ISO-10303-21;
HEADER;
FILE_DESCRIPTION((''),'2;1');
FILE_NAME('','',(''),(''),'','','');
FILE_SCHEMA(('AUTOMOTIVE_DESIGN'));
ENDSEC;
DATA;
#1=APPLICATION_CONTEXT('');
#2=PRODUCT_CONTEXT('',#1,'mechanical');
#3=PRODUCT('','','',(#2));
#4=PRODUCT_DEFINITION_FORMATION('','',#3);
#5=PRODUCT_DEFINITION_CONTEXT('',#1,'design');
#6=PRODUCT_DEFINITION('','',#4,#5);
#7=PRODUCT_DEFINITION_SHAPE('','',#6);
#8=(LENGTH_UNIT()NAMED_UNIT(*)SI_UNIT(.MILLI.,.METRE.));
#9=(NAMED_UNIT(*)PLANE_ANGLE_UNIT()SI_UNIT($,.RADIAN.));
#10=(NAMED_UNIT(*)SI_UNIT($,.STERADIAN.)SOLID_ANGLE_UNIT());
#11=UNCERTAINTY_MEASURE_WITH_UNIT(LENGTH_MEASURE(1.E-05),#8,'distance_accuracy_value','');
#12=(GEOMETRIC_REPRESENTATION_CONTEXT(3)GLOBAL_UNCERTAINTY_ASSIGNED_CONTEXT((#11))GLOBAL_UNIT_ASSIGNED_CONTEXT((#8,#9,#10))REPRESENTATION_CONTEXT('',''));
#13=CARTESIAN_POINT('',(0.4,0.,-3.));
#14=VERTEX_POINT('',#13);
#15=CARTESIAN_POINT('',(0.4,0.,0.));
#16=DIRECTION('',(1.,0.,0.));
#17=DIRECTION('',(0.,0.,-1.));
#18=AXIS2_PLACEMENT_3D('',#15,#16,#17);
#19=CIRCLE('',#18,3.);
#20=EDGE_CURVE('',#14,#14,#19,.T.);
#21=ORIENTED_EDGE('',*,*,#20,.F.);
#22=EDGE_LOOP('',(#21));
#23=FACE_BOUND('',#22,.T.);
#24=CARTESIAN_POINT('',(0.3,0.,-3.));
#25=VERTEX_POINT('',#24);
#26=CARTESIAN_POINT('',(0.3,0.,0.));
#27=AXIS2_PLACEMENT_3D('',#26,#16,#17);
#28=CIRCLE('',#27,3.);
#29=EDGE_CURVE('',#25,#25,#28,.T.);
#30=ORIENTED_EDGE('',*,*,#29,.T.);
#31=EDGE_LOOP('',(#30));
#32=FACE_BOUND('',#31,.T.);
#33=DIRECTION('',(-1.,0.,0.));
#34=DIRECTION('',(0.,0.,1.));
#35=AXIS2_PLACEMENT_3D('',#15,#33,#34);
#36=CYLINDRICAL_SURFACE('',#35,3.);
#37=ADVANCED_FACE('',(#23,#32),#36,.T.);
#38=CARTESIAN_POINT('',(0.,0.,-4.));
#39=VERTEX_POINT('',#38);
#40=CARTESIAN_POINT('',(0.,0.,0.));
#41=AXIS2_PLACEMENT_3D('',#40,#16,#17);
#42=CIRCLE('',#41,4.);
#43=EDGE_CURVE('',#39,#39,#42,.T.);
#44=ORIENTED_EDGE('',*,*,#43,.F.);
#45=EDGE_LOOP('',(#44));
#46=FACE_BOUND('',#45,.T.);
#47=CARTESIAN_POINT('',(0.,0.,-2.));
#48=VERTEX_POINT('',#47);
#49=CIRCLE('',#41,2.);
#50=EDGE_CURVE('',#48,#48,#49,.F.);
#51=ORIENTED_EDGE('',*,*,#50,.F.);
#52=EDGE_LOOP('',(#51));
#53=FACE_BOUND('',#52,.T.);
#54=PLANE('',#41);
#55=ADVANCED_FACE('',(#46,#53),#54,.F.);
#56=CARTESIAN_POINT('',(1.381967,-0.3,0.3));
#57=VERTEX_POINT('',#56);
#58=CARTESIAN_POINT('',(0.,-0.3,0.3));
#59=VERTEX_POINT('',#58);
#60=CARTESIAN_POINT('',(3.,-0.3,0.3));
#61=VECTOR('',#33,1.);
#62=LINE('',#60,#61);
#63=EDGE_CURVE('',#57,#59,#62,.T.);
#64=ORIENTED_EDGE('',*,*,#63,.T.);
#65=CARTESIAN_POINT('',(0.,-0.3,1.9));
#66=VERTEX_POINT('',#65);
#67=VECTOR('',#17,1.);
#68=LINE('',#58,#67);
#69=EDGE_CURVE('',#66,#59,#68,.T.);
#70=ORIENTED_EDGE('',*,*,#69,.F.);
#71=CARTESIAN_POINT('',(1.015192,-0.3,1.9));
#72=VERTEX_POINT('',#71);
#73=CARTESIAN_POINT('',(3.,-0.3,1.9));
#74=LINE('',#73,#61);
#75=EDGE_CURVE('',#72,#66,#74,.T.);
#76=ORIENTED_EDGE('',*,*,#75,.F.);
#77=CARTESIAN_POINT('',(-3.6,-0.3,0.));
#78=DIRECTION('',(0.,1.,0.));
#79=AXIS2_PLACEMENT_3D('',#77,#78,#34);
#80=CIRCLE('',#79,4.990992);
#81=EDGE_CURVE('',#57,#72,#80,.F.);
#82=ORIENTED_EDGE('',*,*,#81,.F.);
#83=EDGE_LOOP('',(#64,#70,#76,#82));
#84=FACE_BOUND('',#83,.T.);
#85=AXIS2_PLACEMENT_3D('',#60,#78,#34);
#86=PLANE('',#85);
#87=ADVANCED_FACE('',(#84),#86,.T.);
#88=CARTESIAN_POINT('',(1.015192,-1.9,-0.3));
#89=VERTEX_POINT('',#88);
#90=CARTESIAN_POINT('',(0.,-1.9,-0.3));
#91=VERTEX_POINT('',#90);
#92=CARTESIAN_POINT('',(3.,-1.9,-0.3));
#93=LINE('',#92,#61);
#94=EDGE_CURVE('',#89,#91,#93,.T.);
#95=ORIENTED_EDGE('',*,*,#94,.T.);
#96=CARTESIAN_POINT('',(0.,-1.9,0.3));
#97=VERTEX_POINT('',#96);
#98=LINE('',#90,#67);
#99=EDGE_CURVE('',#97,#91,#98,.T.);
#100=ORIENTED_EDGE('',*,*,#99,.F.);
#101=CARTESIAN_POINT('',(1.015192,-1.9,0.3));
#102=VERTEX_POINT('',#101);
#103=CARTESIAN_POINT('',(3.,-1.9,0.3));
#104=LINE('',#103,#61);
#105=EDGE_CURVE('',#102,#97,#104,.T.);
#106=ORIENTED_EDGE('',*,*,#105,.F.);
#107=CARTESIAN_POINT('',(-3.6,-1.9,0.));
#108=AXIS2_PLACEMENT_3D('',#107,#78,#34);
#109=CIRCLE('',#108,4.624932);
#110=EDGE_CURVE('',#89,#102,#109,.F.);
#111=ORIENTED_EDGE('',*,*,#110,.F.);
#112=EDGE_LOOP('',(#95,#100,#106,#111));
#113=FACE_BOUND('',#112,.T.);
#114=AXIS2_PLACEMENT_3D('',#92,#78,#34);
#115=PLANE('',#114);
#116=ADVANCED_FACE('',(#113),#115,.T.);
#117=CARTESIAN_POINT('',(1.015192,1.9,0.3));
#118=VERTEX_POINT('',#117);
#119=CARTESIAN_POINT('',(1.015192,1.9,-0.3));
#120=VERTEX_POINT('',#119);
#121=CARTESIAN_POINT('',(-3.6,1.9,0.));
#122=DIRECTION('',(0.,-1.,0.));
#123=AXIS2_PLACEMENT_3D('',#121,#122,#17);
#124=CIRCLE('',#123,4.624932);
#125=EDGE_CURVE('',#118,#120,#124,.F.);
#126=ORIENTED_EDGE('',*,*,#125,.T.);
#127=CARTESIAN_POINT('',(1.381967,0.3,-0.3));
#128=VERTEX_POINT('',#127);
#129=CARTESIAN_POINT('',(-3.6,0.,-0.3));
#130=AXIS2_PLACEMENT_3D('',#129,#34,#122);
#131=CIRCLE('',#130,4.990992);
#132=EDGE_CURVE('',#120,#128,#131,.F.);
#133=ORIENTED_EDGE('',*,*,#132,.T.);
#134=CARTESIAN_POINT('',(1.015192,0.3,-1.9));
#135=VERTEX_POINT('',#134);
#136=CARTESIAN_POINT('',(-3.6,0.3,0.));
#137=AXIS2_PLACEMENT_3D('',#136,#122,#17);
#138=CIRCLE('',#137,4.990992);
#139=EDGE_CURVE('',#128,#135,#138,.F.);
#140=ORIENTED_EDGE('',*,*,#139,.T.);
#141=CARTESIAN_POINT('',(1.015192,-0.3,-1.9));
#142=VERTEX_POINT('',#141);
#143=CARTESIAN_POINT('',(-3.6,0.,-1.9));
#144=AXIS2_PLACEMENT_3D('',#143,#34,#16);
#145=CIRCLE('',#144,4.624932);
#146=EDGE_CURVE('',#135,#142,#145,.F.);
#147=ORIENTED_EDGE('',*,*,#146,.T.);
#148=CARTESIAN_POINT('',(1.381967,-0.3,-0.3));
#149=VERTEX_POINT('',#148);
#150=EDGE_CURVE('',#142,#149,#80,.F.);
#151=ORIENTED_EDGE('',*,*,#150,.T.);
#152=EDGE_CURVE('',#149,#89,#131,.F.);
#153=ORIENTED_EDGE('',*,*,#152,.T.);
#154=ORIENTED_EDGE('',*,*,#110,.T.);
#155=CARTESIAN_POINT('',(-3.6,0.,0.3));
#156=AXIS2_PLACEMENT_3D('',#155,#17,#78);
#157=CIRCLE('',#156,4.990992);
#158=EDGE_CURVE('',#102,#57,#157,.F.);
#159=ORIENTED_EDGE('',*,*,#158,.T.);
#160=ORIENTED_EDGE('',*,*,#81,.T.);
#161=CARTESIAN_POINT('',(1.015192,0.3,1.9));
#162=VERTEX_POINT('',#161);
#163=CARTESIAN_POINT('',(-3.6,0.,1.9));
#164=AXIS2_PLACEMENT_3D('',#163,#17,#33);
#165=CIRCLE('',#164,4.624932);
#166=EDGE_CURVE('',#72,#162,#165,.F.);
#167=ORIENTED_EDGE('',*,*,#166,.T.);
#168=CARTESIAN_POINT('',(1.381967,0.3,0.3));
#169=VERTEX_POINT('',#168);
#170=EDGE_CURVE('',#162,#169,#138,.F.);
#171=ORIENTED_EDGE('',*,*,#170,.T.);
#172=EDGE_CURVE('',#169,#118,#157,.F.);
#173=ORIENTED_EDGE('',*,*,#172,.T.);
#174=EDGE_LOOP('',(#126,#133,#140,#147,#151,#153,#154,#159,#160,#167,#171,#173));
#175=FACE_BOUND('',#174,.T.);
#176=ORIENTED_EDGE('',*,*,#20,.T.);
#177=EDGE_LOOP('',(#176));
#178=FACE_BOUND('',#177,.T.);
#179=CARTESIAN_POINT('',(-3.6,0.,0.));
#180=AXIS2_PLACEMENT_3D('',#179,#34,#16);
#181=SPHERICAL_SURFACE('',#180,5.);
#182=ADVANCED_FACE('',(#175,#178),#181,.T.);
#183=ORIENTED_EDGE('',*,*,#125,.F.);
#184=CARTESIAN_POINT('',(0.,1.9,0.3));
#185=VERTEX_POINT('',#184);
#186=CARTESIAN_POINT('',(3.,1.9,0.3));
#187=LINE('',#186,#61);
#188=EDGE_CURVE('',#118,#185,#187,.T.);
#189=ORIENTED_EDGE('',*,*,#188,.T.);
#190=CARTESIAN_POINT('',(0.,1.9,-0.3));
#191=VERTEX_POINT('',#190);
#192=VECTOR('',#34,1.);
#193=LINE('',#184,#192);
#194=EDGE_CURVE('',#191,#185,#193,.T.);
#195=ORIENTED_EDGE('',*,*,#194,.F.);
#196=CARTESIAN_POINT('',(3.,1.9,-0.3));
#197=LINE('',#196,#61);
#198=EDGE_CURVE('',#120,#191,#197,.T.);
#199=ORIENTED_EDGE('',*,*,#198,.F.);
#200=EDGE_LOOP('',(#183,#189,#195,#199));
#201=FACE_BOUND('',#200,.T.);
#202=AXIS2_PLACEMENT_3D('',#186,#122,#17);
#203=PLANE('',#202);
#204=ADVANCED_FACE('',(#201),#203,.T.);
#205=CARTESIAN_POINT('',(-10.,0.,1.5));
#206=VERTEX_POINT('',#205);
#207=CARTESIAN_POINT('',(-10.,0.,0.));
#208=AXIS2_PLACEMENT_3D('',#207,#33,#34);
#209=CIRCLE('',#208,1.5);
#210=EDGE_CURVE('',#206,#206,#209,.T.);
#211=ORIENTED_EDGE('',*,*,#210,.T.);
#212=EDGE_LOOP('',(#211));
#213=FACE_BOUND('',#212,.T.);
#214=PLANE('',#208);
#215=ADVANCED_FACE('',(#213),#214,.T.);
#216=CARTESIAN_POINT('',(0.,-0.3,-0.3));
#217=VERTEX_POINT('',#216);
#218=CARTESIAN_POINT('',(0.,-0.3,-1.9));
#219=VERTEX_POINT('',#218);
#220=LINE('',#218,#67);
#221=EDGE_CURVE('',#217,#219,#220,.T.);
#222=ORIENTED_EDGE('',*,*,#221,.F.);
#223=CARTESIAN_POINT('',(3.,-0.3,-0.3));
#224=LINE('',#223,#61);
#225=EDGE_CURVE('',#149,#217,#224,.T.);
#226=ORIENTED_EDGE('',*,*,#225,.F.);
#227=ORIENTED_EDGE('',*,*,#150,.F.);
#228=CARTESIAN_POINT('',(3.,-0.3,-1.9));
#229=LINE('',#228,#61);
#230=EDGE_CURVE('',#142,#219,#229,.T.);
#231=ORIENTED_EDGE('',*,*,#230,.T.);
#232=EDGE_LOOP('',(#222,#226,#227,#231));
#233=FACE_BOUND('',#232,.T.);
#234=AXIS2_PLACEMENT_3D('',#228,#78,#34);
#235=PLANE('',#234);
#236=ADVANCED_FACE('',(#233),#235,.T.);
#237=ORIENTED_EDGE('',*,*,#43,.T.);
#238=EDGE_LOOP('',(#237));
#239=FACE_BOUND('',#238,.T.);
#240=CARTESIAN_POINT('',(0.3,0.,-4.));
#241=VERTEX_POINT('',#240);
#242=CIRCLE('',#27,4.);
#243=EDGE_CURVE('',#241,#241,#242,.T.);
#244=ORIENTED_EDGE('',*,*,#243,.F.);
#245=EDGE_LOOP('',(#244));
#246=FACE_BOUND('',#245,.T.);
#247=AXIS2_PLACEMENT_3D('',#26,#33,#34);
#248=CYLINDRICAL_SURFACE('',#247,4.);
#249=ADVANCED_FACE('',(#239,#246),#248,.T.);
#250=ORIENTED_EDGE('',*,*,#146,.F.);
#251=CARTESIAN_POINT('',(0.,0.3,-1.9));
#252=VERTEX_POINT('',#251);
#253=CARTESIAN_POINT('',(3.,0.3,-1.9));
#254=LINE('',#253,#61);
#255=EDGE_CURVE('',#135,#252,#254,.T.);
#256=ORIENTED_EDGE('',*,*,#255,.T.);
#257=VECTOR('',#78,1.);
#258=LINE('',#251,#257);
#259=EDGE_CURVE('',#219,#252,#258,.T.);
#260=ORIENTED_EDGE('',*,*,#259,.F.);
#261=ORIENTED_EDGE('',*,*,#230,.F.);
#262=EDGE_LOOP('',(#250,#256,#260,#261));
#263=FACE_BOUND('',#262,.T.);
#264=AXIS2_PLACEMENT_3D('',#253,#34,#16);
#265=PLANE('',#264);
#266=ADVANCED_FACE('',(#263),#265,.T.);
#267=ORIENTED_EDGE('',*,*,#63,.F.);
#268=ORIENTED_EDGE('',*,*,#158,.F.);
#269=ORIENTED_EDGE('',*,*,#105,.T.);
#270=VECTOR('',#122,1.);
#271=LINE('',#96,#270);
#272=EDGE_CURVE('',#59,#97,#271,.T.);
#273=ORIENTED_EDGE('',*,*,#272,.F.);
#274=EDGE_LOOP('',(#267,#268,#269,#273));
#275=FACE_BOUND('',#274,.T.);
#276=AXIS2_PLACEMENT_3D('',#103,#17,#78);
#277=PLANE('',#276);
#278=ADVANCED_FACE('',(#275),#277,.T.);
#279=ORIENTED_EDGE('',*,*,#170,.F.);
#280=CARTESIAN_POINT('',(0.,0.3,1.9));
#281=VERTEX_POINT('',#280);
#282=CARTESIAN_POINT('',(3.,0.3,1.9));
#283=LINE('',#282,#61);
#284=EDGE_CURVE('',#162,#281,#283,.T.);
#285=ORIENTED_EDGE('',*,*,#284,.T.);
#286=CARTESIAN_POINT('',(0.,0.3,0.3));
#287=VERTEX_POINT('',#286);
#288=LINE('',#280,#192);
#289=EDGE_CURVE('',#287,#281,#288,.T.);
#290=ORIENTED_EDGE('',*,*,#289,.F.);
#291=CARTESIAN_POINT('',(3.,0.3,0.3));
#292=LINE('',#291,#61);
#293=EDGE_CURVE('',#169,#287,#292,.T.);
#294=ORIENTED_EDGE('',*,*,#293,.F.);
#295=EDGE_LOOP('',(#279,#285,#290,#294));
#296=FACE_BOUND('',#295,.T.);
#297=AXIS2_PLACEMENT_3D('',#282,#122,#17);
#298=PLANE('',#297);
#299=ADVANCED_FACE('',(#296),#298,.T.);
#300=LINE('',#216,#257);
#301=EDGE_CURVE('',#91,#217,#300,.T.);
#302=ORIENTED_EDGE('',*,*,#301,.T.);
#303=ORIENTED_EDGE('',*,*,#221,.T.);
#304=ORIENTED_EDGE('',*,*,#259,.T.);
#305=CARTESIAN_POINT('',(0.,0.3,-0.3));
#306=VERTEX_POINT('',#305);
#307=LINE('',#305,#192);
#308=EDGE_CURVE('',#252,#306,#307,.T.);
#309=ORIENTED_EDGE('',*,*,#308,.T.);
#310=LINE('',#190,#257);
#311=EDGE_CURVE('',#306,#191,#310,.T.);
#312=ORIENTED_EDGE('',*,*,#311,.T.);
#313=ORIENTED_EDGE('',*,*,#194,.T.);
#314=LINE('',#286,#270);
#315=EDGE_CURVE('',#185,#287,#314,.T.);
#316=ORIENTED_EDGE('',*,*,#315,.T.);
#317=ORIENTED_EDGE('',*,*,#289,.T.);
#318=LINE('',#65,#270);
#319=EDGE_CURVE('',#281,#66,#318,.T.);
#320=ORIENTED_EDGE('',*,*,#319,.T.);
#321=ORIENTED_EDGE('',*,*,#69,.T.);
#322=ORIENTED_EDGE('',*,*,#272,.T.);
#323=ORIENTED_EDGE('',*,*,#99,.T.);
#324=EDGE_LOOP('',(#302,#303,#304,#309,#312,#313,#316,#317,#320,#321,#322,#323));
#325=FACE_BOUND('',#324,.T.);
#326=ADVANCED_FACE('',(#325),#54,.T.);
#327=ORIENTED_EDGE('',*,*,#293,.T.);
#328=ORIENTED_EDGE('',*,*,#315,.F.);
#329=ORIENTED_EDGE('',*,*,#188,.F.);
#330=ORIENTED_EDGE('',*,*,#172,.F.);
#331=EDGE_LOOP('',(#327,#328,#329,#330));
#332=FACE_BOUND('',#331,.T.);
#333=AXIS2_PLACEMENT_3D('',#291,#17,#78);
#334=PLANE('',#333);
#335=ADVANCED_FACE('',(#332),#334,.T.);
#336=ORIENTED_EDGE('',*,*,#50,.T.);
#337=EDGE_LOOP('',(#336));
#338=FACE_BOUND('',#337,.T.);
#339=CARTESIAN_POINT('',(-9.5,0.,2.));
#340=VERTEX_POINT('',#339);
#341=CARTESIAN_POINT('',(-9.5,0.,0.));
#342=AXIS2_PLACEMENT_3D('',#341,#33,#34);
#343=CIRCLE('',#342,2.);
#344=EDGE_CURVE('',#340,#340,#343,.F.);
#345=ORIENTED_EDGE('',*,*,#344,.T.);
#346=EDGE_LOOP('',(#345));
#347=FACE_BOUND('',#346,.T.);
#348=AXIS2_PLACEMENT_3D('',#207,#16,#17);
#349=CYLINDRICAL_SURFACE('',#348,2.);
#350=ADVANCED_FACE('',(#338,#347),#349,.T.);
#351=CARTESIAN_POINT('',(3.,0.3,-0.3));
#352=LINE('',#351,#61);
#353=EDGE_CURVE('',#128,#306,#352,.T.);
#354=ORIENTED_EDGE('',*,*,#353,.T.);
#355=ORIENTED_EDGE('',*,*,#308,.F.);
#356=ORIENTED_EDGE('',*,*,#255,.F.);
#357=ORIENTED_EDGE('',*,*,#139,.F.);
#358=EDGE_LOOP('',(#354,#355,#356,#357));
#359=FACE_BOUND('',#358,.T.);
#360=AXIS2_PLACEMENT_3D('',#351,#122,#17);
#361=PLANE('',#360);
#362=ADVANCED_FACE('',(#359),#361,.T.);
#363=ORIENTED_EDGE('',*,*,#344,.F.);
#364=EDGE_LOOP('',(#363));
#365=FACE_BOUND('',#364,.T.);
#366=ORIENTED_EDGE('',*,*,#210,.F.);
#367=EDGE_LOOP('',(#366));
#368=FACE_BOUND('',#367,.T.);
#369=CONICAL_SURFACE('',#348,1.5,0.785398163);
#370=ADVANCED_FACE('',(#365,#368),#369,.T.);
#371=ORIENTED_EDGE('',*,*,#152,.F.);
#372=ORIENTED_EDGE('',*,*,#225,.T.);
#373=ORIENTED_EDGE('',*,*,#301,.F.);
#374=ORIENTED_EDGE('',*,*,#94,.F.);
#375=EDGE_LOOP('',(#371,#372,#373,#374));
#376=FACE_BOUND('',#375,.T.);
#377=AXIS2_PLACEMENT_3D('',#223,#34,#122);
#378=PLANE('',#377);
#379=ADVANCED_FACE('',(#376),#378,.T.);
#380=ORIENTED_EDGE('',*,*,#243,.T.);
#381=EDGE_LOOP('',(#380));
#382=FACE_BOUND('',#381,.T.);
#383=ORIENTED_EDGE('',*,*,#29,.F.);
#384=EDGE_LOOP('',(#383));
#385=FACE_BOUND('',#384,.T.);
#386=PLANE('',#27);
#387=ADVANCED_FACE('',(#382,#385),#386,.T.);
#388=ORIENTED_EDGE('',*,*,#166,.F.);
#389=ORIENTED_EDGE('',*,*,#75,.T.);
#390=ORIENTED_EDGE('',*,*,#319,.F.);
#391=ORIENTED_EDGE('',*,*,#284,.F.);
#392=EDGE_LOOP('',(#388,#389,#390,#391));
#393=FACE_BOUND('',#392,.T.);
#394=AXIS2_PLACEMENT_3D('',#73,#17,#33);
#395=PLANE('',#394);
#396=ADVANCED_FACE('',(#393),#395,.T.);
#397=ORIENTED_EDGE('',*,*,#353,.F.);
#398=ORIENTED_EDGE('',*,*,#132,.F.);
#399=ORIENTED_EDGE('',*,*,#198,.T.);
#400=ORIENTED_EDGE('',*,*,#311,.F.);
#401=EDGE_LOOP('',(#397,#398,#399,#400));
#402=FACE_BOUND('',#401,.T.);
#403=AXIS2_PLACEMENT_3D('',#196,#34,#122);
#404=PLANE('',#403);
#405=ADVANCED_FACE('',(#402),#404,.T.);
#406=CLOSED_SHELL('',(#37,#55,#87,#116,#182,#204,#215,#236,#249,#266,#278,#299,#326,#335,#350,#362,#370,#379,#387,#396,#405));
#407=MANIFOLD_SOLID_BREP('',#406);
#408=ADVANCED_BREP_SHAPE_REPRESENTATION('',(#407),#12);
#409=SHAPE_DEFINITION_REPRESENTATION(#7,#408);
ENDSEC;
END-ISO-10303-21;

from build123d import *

# Parameters (mm, degrees)
SKETCH_1_R          = 4
EXTRUDE_1_DEPTH     = 0.3
SKETCH_2_R          = 2
EXTRUDE_3_DEPTH     = 10
SKETCH_6_R          = 3
EXTRUDE_4_DEPTH     = 0.1
DOME_1_FACE_RADIUS  = 3
DOME_1_HEIGHT       = 1
CUT_EXTRUDE_2_DEPTH = 3
CHAMFER_1_SIZE      = 0.5


with BuildPart() as part:
    # 草图1 → 凸台-拉伸1 (new body)
    with BuildSketch(Plane(origin=(0, 0, 0), x_dir=(0, 0, -1), z_dir=(1, 0, 0))):
        Circle(SKETCH_1_R)
    extrude(amount=EXTRUDE_1_DEPTH)

    # 草图2 → 凸台-拉伸3 (add)
    with BuildSketch(Plane.ZY):
        Circle(SKETCH_2_R)
    extrude(amount=EXTRUDE_3_DEPTH)

    # 草图6 → 凸台-拉伸4 (add)
    with BuildSketch(Plane(origin=(0.3, 0, 0), x_dir=(0, 0, -1), z_dir=(1, 0, 0))):
        Circle(SKETCH_6_R)
    extrude(amount=EXTRUDE_4_DEPTH)

    # 圆顶1: a dome of height H over a round flat face of radius A is a cap of a sphere of radius (A * A + H * H) / (2 * H)
    dome_1_r = (DOME_1_FACE_RADIUS * DOME_1_FACE_RADIUS + DOME_1_HEIGHT * DOME_1_HEIGHT) / (2 * DOME_1_HEIGHT)
    dome_1_base = Plane((0.4, 0, 0), z_dir=(1, 0, 0))
    with Locations(dome_1_base.offset(DOME_1_HEIGHT - dome_1_r)):
        dome_1_ball = Sphere(dome_1_r, mode=Mode.PRIVATE)
    add(split(dome_1_ball, bisect_by=dome_1_base, keep=Keep.TOP, mode=Mode.PRIVATE))

    # 草图5 → 切除-拉伸2 (cut)
    with BuildSketch(Plane(origin=(0, 0, 0), x_dir=(0, 0, -1), z_dir=(1, 0, 0))):
        Polygon((0.3, 0.3), (1.9, 0.3), (1.9, -0.3), (0.3, -0.3), (0.3, -1.9), (-0.3, -1.9), (-0.3, -0.3), (-1.9, -0.3), (-1.9, 0.3), (-0.3, 0.3), (-0.3, 1.9), (0.3, 1.9), align=None)
    extrude(amount=CUT_EXTRUDE_2_DEPTH, mode=Mode.SUBTRACT)

    # 倒角1
    chamfer_1_edges = [part.edges().sort_by_distance(p)[0] for p in [
        (-10, 0, -2),
    ]]
    chamfer(chamfer_1_edges, length=CHAMFER_1_SIZE)


solid = part.part
